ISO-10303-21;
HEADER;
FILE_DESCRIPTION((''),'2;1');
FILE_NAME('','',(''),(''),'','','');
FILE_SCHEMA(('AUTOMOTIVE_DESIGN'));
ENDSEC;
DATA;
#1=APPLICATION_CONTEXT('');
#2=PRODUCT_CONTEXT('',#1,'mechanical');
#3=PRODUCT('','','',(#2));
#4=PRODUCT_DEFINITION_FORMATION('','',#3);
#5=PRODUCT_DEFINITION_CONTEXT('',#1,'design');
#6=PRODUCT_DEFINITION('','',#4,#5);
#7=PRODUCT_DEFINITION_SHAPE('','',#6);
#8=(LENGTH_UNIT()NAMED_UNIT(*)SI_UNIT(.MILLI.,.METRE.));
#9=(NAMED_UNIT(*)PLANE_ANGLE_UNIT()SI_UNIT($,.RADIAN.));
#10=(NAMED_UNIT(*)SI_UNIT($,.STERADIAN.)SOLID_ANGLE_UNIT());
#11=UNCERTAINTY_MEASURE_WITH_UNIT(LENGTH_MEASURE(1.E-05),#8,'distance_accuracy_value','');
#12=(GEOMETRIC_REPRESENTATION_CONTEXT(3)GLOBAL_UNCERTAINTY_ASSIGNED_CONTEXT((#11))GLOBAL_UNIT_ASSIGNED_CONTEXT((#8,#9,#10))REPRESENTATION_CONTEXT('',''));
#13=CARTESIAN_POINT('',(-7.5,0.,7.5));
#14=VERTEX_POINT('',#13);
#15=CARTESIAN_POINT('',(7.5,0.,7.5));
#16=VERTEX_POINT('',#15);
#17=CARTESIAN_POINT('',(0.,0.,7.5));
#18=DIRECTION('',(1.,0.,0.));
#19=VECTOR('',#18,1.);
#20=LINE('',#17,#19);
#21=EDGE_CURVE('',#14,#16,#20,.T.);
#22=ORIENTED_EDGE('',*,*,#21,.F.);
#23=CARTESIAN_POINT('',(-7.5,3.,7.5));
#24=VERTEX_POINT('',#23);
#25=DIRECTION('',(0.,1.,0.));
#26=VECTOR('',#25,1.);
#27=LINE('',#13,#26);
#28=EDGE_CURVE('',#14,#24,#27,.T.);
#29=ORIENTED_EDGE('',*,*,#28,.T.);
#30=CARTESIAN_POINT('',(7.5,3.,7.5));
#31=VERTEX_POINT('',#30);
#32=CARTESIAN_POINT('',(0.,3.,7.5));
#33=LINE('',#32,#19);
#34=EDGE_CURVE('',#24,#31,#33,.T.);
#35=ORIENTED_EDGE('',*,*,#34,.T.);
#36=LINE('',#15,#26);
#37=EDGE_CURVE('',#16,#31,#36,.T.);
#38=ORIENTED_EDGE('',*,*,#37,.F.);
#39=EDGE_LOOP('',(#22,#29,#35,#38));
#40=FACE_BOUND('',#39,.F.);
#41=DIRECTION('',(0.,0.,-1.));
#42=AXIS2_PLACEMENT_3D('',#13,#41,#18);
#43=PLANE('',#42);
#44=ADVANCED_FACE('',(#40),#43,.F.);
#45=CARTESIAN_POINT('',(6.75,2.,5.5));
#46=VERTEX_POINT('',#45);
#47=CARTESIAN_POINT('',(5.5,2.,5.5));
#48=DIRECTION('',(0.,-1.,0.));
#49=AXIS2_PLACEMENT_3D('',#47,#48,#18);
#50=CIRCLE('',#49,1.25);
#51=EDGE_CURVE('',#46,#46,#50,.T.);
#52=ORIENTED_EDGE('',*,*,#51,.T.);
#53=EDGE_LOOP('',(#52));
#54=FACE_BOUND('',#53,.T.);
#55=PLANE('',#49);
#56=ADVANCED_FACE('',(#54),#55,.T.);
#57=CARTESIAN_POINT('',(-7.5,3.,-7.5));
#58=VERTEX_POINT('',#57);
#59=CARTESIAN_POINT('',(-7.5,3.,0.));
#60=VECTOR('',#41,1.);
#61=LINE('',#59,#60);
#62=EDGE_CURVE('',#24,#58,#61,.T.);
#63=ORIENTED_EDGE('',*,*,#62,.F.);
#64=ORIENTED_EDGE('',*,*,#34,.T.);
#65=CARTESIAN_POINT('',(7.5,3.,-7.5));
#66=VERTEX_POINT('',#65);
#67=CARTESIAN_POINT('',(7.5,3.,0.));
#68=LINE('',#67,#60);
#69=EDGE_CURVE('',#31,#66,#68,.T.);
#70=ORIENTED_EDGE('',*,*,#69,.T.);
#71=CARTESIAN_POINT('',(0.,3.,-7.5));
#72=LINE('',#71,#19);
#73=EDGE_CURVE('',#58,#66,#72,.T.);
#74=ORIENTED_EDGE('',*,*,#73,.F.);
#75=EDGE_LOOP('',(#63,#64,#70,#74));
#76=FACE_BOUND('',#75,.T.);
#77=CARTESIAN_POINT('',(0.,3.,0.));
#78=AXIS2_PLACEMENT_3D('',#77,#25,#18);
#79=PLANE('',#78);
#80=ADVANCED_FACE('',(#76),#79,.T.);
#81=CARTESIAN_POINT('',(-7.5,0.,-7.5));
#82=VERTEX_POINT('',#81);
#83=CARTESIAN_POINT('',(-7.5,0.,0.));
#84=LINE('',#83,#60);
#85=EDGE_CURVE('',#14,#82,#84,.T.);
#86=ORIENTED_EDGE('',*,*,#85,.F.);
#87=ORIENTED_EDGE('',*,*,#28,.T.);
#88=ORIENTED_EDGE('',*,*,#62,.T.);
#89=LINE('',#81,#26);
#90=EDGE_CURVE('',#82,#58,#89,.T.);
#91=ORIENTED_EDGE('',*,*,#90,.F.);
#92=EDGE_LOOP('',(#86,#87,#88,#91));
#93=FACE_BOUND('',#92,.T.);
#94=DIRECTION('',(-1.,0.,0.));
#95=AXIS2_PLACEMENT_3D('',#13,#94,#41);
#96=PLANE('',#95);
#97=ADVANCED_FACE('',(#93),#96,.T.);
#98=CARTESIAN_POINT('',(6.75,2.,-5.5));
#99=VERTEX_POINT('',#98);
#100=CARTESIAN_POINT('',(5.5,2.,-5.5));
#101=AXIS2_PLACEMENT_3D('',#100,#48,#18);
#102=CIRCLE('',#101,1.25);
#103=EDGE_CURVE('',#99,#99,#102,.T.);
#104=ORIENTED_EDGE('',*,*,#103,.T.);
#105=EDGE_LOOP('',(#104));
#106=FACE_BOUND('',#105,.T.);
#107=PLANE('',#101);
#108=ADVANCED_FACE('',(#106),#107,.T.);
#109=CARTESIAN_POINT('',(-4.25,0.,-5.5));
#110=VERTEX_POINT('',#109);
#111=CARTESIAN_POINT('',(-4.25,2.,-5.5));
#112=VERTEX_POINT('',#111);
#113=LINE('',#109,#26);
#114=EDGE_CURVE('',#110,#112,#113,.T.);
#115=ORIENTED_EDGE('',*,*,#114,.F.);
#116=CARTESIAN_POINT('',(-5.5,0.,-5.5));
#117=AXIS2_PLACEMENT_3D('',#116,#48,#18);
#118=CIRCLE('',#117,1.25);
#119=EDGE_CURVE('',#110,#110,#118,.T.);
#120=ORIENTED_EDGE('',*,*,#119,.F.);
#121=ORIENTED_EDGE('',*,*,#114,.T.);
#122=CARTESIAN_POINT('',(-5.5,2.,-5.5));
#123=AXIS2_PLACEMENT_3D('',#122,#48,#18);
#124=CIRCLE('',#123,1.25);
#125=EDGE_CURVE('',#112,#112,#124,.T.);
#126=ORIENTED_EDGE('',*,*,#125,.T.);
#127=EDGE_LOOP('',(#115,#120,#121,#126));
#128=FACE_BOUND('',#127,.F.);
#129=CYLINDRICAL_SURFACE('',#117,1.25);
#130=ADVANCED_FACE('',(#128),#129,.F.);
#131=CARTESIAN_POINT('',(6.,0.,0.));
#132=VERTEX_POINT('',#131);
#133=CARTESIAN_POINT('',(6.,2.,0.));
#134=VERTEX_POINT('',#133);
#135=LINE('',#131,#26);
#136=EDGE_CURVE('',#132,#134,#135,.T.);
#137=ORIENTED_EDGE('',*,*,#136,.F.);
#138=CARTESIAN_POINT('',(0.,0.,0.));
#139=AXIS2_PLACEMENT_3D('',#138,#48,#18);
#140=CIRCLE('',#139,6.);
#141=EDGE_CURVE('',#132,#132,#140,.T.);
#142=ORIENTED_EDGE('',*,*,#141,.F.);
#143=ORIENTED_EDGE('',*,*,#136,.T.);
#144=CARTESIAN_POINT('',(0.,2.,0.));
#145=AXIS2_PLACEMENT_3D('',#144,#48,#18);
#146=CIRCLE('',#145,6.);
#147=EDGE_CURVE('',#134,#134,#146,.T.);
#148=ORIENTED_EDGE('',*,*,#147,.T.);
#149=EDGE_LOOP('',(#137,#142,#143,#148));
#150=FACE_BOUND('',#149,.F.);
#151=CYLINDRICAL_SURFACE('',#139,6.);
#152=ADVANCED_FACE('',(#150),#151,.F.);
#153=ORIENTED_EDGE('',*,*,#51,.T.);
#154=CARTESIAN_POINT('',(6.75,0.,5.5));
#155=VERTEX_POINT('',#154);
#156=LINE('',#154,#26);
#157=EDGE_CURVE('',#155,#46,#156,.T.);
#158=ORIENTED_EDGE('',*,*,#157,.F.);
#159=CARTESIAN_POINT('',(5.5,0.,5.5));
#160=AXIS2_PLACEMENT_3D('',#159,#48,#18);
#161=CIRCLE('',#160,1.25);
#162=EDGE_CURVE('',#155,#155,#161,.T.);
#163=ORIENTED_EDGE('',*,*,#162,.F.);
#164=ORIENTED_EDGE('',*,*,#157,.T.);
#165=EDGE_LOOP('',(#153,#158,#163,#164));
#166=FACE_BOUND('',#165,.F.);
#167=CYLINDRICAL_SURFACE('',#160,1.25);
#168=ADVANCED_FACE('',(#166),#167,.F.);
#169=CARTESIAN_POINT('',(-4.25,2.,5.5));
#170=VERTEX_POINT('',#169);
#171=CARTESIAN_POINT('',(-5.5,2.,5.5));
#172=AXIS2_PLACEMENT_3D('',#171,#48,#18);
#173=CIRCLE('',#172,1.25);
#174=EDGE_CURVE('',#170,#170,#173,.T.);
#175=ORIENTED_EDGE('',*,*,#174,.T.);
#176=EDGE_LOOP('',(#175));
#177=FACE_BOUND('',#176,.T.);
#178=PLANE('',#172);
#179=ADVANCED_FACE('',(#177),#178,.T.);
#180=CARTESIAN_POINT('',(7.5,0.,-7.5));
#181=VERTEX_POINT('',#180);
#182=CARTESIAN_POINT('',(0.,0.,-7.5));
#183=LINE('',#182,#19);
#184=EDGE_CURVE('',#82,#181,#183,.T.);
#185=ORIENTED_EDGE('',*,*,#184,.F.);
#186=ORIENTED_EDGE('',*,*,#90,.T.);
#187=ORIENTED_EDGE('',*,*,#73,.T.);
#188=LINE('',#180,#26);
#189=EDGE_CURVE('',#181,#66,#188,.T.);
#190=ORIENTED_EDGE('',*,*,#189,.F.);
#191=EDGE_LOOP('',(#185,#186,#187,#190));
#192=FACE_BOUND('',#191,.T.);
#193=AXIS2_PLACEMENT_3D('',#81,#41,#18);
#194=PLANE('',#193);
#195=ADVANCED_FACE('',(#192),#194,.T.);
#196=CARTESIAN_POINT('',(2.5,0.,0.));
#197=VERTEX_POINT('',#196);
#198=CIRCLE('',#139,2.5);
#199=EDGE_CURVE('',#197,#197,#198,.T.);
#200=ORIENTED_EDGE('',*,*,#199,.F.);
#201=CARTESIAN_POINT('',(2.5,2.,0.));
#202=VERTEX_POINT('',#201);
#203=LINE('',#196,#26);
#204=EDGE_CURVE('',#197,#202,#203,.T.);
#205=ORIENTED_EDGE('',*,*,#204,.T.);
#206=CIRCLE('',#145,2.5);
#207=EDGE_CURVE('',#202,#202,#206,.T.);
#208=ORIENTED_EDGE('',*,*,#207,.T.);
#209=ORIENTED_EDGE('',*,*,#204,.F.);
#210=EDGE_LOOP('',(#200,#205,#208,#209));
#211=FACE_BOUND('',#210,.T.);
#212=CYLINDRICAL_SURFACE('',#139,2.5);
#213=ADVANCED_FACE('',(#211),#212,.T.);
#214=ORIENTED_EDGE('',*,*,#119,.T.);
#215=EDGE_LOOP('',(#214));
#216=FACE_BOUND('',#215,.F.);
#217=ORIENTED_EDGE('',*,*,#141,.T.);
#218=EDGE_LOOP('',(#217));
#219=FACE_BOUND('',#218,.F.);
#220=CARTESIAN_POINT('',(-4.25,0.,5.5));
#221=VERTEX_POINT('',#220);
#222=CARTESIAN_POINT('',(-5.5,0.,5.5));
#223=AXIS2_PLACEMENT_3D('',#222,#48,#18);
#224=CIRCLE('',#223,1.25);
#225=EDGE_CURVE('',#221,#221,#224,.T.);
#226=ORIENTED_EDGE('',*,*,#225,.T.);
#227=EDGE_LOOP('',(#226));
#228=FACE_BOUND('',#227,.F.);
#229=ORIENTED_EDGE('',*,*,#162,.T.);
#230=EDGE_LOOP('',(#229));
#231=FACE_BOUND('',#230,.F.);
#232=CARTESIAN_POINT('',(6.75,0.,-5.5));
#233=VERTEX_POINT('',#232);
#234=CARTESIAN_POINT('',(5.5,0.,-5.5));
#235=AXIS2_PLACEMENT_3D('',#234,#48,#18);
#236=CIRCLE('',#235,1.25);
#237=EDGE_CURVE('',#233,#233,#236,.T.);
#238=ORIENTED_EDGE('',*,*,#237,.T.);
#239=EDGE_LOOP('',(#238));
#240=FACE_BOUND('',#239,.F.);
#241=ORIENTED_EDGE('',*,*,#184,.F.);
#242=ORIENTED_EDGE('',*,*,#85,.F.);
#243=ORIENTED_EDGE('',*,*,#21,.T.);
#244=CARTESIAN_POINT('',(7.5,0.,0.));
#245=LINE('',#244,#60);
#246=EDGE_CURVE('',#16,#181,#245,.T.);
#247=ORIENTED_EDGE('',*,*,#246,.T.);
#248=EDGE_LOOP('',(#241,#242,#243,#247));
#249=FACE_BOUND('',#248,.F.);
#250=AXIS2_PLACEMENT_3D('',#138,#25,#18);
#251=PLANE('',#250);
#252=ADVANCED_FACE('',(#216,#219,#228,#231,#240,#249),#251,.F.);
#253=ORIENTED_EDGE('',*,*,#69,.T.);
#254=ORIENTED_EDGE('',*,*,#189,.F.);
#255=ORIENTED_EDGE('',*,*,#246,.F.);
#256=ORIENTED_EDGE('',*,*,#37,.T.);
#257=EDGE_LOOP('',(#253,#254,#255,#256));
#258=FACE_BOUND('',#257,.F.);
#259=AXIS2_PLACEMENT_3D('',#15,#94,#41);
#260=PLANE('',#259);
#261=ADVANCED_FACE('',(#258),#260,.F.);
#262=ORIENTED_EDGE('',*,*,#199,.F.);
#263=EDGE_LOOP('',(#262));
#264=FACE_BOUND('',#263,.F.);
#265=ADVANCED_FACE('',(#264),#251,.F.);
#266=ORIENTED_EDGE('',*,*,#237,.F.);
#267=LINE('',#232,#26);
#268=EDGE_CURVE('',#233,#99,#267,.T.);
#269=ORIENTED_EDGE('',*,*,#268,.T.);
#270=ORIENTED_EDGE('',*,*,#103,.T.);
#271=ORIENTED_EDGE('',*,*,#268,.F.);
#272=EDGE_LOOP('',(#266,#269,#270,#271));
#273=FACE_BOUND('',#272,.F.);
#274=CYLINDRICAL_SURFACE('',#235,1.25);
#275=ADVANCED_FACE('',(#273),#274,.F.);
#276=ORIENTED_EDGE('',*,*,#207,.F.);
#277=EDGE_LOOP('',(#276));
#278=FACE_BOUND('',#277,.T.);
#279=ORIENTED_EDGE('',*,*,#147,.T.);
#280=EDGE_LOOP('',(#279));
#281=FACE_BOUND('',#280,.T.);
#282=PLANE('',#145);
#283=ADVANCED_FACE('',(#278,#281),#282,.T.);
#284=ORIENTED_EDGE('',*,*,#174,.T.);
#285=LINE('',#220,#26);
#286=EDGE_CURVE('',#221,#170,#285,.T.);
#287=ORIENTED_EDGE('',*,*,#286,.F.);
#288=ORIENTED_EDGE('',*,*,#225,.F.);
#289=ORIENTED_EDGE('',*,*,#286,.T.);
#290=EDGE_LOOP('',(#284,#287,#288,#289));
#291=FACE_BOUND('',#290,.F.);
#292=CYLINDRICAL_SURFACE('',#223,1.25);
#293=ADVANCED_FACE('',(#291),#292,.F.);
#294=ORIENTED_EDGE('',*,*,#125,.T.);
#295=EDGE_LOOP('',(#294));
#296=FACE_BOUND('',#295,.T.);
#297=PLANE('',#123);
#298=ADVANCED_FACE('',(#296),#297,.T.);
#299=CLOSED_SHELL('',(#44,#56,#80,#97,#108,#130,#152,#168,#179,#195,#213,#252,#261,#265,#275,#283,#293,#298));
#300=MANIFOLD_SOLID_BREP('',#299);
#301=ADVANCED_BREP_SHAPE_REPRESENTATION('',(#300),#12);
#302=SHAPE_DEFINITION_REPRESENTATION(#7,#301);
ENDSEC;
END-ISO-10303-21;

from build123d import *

# Parameters (mm, degrees)
SKETCH1_W           = 15
SKETCH1_H           = 15
BOSS_EXTRUDE1_DEPTH = 3
SKETCH2_R           = 6
SKETCH2_R_2         = 2.5
CUT_EXTRUDE1_DEPTH  = 2
SKETCH3_R           = 1.25
CUT_EXTRUDE2_DEPTH  = 2


with BuildPart() as part:
    # Sketch1 → Boss-Extrude1 (new body)
    with BuildSketch(Plane(origin=(0, 0, 0), x_dir=(1, 0, 0), z_dir=(0, 1, 0))):
        Rectangle(SKETCH1_W, SKETCH1_H)
    extrude(amount=BOSS_EXTRUDE1_DEPTH)

    # Sketch2 → Cut-Extrude1 (cut)
    with BuildSketch(Plane.XZ):
        Circle(SKETCH2_R)
        Circle(SKETCH2_R_2, mode=Mode.SUBTRACT)
    extrude(amount=-CUT_EXTRUDE1_DEPTH, mode=Mode.SUBTRACT)

    # Sketch3 → Cut-Extrude2 (cut)
    with BuildSketch(Plane.XZ):
        with Locations((5.5, 5.5)):
            Circle(SKETCH3_R)
        with Locations((-5.5, 5.5)):
            Circle(SKETCH3_R)
        with Locations((-5.5, -5.5)):
            Circle(SKETCH3_R)
        with Locations((5.5, -5.5)):
            Circle(SKETCH3_R)
    extrude(amount=-CUT_EXTRUDE2_DEPTH, mode=Mode.SUBTRACT)


solid = part.part
